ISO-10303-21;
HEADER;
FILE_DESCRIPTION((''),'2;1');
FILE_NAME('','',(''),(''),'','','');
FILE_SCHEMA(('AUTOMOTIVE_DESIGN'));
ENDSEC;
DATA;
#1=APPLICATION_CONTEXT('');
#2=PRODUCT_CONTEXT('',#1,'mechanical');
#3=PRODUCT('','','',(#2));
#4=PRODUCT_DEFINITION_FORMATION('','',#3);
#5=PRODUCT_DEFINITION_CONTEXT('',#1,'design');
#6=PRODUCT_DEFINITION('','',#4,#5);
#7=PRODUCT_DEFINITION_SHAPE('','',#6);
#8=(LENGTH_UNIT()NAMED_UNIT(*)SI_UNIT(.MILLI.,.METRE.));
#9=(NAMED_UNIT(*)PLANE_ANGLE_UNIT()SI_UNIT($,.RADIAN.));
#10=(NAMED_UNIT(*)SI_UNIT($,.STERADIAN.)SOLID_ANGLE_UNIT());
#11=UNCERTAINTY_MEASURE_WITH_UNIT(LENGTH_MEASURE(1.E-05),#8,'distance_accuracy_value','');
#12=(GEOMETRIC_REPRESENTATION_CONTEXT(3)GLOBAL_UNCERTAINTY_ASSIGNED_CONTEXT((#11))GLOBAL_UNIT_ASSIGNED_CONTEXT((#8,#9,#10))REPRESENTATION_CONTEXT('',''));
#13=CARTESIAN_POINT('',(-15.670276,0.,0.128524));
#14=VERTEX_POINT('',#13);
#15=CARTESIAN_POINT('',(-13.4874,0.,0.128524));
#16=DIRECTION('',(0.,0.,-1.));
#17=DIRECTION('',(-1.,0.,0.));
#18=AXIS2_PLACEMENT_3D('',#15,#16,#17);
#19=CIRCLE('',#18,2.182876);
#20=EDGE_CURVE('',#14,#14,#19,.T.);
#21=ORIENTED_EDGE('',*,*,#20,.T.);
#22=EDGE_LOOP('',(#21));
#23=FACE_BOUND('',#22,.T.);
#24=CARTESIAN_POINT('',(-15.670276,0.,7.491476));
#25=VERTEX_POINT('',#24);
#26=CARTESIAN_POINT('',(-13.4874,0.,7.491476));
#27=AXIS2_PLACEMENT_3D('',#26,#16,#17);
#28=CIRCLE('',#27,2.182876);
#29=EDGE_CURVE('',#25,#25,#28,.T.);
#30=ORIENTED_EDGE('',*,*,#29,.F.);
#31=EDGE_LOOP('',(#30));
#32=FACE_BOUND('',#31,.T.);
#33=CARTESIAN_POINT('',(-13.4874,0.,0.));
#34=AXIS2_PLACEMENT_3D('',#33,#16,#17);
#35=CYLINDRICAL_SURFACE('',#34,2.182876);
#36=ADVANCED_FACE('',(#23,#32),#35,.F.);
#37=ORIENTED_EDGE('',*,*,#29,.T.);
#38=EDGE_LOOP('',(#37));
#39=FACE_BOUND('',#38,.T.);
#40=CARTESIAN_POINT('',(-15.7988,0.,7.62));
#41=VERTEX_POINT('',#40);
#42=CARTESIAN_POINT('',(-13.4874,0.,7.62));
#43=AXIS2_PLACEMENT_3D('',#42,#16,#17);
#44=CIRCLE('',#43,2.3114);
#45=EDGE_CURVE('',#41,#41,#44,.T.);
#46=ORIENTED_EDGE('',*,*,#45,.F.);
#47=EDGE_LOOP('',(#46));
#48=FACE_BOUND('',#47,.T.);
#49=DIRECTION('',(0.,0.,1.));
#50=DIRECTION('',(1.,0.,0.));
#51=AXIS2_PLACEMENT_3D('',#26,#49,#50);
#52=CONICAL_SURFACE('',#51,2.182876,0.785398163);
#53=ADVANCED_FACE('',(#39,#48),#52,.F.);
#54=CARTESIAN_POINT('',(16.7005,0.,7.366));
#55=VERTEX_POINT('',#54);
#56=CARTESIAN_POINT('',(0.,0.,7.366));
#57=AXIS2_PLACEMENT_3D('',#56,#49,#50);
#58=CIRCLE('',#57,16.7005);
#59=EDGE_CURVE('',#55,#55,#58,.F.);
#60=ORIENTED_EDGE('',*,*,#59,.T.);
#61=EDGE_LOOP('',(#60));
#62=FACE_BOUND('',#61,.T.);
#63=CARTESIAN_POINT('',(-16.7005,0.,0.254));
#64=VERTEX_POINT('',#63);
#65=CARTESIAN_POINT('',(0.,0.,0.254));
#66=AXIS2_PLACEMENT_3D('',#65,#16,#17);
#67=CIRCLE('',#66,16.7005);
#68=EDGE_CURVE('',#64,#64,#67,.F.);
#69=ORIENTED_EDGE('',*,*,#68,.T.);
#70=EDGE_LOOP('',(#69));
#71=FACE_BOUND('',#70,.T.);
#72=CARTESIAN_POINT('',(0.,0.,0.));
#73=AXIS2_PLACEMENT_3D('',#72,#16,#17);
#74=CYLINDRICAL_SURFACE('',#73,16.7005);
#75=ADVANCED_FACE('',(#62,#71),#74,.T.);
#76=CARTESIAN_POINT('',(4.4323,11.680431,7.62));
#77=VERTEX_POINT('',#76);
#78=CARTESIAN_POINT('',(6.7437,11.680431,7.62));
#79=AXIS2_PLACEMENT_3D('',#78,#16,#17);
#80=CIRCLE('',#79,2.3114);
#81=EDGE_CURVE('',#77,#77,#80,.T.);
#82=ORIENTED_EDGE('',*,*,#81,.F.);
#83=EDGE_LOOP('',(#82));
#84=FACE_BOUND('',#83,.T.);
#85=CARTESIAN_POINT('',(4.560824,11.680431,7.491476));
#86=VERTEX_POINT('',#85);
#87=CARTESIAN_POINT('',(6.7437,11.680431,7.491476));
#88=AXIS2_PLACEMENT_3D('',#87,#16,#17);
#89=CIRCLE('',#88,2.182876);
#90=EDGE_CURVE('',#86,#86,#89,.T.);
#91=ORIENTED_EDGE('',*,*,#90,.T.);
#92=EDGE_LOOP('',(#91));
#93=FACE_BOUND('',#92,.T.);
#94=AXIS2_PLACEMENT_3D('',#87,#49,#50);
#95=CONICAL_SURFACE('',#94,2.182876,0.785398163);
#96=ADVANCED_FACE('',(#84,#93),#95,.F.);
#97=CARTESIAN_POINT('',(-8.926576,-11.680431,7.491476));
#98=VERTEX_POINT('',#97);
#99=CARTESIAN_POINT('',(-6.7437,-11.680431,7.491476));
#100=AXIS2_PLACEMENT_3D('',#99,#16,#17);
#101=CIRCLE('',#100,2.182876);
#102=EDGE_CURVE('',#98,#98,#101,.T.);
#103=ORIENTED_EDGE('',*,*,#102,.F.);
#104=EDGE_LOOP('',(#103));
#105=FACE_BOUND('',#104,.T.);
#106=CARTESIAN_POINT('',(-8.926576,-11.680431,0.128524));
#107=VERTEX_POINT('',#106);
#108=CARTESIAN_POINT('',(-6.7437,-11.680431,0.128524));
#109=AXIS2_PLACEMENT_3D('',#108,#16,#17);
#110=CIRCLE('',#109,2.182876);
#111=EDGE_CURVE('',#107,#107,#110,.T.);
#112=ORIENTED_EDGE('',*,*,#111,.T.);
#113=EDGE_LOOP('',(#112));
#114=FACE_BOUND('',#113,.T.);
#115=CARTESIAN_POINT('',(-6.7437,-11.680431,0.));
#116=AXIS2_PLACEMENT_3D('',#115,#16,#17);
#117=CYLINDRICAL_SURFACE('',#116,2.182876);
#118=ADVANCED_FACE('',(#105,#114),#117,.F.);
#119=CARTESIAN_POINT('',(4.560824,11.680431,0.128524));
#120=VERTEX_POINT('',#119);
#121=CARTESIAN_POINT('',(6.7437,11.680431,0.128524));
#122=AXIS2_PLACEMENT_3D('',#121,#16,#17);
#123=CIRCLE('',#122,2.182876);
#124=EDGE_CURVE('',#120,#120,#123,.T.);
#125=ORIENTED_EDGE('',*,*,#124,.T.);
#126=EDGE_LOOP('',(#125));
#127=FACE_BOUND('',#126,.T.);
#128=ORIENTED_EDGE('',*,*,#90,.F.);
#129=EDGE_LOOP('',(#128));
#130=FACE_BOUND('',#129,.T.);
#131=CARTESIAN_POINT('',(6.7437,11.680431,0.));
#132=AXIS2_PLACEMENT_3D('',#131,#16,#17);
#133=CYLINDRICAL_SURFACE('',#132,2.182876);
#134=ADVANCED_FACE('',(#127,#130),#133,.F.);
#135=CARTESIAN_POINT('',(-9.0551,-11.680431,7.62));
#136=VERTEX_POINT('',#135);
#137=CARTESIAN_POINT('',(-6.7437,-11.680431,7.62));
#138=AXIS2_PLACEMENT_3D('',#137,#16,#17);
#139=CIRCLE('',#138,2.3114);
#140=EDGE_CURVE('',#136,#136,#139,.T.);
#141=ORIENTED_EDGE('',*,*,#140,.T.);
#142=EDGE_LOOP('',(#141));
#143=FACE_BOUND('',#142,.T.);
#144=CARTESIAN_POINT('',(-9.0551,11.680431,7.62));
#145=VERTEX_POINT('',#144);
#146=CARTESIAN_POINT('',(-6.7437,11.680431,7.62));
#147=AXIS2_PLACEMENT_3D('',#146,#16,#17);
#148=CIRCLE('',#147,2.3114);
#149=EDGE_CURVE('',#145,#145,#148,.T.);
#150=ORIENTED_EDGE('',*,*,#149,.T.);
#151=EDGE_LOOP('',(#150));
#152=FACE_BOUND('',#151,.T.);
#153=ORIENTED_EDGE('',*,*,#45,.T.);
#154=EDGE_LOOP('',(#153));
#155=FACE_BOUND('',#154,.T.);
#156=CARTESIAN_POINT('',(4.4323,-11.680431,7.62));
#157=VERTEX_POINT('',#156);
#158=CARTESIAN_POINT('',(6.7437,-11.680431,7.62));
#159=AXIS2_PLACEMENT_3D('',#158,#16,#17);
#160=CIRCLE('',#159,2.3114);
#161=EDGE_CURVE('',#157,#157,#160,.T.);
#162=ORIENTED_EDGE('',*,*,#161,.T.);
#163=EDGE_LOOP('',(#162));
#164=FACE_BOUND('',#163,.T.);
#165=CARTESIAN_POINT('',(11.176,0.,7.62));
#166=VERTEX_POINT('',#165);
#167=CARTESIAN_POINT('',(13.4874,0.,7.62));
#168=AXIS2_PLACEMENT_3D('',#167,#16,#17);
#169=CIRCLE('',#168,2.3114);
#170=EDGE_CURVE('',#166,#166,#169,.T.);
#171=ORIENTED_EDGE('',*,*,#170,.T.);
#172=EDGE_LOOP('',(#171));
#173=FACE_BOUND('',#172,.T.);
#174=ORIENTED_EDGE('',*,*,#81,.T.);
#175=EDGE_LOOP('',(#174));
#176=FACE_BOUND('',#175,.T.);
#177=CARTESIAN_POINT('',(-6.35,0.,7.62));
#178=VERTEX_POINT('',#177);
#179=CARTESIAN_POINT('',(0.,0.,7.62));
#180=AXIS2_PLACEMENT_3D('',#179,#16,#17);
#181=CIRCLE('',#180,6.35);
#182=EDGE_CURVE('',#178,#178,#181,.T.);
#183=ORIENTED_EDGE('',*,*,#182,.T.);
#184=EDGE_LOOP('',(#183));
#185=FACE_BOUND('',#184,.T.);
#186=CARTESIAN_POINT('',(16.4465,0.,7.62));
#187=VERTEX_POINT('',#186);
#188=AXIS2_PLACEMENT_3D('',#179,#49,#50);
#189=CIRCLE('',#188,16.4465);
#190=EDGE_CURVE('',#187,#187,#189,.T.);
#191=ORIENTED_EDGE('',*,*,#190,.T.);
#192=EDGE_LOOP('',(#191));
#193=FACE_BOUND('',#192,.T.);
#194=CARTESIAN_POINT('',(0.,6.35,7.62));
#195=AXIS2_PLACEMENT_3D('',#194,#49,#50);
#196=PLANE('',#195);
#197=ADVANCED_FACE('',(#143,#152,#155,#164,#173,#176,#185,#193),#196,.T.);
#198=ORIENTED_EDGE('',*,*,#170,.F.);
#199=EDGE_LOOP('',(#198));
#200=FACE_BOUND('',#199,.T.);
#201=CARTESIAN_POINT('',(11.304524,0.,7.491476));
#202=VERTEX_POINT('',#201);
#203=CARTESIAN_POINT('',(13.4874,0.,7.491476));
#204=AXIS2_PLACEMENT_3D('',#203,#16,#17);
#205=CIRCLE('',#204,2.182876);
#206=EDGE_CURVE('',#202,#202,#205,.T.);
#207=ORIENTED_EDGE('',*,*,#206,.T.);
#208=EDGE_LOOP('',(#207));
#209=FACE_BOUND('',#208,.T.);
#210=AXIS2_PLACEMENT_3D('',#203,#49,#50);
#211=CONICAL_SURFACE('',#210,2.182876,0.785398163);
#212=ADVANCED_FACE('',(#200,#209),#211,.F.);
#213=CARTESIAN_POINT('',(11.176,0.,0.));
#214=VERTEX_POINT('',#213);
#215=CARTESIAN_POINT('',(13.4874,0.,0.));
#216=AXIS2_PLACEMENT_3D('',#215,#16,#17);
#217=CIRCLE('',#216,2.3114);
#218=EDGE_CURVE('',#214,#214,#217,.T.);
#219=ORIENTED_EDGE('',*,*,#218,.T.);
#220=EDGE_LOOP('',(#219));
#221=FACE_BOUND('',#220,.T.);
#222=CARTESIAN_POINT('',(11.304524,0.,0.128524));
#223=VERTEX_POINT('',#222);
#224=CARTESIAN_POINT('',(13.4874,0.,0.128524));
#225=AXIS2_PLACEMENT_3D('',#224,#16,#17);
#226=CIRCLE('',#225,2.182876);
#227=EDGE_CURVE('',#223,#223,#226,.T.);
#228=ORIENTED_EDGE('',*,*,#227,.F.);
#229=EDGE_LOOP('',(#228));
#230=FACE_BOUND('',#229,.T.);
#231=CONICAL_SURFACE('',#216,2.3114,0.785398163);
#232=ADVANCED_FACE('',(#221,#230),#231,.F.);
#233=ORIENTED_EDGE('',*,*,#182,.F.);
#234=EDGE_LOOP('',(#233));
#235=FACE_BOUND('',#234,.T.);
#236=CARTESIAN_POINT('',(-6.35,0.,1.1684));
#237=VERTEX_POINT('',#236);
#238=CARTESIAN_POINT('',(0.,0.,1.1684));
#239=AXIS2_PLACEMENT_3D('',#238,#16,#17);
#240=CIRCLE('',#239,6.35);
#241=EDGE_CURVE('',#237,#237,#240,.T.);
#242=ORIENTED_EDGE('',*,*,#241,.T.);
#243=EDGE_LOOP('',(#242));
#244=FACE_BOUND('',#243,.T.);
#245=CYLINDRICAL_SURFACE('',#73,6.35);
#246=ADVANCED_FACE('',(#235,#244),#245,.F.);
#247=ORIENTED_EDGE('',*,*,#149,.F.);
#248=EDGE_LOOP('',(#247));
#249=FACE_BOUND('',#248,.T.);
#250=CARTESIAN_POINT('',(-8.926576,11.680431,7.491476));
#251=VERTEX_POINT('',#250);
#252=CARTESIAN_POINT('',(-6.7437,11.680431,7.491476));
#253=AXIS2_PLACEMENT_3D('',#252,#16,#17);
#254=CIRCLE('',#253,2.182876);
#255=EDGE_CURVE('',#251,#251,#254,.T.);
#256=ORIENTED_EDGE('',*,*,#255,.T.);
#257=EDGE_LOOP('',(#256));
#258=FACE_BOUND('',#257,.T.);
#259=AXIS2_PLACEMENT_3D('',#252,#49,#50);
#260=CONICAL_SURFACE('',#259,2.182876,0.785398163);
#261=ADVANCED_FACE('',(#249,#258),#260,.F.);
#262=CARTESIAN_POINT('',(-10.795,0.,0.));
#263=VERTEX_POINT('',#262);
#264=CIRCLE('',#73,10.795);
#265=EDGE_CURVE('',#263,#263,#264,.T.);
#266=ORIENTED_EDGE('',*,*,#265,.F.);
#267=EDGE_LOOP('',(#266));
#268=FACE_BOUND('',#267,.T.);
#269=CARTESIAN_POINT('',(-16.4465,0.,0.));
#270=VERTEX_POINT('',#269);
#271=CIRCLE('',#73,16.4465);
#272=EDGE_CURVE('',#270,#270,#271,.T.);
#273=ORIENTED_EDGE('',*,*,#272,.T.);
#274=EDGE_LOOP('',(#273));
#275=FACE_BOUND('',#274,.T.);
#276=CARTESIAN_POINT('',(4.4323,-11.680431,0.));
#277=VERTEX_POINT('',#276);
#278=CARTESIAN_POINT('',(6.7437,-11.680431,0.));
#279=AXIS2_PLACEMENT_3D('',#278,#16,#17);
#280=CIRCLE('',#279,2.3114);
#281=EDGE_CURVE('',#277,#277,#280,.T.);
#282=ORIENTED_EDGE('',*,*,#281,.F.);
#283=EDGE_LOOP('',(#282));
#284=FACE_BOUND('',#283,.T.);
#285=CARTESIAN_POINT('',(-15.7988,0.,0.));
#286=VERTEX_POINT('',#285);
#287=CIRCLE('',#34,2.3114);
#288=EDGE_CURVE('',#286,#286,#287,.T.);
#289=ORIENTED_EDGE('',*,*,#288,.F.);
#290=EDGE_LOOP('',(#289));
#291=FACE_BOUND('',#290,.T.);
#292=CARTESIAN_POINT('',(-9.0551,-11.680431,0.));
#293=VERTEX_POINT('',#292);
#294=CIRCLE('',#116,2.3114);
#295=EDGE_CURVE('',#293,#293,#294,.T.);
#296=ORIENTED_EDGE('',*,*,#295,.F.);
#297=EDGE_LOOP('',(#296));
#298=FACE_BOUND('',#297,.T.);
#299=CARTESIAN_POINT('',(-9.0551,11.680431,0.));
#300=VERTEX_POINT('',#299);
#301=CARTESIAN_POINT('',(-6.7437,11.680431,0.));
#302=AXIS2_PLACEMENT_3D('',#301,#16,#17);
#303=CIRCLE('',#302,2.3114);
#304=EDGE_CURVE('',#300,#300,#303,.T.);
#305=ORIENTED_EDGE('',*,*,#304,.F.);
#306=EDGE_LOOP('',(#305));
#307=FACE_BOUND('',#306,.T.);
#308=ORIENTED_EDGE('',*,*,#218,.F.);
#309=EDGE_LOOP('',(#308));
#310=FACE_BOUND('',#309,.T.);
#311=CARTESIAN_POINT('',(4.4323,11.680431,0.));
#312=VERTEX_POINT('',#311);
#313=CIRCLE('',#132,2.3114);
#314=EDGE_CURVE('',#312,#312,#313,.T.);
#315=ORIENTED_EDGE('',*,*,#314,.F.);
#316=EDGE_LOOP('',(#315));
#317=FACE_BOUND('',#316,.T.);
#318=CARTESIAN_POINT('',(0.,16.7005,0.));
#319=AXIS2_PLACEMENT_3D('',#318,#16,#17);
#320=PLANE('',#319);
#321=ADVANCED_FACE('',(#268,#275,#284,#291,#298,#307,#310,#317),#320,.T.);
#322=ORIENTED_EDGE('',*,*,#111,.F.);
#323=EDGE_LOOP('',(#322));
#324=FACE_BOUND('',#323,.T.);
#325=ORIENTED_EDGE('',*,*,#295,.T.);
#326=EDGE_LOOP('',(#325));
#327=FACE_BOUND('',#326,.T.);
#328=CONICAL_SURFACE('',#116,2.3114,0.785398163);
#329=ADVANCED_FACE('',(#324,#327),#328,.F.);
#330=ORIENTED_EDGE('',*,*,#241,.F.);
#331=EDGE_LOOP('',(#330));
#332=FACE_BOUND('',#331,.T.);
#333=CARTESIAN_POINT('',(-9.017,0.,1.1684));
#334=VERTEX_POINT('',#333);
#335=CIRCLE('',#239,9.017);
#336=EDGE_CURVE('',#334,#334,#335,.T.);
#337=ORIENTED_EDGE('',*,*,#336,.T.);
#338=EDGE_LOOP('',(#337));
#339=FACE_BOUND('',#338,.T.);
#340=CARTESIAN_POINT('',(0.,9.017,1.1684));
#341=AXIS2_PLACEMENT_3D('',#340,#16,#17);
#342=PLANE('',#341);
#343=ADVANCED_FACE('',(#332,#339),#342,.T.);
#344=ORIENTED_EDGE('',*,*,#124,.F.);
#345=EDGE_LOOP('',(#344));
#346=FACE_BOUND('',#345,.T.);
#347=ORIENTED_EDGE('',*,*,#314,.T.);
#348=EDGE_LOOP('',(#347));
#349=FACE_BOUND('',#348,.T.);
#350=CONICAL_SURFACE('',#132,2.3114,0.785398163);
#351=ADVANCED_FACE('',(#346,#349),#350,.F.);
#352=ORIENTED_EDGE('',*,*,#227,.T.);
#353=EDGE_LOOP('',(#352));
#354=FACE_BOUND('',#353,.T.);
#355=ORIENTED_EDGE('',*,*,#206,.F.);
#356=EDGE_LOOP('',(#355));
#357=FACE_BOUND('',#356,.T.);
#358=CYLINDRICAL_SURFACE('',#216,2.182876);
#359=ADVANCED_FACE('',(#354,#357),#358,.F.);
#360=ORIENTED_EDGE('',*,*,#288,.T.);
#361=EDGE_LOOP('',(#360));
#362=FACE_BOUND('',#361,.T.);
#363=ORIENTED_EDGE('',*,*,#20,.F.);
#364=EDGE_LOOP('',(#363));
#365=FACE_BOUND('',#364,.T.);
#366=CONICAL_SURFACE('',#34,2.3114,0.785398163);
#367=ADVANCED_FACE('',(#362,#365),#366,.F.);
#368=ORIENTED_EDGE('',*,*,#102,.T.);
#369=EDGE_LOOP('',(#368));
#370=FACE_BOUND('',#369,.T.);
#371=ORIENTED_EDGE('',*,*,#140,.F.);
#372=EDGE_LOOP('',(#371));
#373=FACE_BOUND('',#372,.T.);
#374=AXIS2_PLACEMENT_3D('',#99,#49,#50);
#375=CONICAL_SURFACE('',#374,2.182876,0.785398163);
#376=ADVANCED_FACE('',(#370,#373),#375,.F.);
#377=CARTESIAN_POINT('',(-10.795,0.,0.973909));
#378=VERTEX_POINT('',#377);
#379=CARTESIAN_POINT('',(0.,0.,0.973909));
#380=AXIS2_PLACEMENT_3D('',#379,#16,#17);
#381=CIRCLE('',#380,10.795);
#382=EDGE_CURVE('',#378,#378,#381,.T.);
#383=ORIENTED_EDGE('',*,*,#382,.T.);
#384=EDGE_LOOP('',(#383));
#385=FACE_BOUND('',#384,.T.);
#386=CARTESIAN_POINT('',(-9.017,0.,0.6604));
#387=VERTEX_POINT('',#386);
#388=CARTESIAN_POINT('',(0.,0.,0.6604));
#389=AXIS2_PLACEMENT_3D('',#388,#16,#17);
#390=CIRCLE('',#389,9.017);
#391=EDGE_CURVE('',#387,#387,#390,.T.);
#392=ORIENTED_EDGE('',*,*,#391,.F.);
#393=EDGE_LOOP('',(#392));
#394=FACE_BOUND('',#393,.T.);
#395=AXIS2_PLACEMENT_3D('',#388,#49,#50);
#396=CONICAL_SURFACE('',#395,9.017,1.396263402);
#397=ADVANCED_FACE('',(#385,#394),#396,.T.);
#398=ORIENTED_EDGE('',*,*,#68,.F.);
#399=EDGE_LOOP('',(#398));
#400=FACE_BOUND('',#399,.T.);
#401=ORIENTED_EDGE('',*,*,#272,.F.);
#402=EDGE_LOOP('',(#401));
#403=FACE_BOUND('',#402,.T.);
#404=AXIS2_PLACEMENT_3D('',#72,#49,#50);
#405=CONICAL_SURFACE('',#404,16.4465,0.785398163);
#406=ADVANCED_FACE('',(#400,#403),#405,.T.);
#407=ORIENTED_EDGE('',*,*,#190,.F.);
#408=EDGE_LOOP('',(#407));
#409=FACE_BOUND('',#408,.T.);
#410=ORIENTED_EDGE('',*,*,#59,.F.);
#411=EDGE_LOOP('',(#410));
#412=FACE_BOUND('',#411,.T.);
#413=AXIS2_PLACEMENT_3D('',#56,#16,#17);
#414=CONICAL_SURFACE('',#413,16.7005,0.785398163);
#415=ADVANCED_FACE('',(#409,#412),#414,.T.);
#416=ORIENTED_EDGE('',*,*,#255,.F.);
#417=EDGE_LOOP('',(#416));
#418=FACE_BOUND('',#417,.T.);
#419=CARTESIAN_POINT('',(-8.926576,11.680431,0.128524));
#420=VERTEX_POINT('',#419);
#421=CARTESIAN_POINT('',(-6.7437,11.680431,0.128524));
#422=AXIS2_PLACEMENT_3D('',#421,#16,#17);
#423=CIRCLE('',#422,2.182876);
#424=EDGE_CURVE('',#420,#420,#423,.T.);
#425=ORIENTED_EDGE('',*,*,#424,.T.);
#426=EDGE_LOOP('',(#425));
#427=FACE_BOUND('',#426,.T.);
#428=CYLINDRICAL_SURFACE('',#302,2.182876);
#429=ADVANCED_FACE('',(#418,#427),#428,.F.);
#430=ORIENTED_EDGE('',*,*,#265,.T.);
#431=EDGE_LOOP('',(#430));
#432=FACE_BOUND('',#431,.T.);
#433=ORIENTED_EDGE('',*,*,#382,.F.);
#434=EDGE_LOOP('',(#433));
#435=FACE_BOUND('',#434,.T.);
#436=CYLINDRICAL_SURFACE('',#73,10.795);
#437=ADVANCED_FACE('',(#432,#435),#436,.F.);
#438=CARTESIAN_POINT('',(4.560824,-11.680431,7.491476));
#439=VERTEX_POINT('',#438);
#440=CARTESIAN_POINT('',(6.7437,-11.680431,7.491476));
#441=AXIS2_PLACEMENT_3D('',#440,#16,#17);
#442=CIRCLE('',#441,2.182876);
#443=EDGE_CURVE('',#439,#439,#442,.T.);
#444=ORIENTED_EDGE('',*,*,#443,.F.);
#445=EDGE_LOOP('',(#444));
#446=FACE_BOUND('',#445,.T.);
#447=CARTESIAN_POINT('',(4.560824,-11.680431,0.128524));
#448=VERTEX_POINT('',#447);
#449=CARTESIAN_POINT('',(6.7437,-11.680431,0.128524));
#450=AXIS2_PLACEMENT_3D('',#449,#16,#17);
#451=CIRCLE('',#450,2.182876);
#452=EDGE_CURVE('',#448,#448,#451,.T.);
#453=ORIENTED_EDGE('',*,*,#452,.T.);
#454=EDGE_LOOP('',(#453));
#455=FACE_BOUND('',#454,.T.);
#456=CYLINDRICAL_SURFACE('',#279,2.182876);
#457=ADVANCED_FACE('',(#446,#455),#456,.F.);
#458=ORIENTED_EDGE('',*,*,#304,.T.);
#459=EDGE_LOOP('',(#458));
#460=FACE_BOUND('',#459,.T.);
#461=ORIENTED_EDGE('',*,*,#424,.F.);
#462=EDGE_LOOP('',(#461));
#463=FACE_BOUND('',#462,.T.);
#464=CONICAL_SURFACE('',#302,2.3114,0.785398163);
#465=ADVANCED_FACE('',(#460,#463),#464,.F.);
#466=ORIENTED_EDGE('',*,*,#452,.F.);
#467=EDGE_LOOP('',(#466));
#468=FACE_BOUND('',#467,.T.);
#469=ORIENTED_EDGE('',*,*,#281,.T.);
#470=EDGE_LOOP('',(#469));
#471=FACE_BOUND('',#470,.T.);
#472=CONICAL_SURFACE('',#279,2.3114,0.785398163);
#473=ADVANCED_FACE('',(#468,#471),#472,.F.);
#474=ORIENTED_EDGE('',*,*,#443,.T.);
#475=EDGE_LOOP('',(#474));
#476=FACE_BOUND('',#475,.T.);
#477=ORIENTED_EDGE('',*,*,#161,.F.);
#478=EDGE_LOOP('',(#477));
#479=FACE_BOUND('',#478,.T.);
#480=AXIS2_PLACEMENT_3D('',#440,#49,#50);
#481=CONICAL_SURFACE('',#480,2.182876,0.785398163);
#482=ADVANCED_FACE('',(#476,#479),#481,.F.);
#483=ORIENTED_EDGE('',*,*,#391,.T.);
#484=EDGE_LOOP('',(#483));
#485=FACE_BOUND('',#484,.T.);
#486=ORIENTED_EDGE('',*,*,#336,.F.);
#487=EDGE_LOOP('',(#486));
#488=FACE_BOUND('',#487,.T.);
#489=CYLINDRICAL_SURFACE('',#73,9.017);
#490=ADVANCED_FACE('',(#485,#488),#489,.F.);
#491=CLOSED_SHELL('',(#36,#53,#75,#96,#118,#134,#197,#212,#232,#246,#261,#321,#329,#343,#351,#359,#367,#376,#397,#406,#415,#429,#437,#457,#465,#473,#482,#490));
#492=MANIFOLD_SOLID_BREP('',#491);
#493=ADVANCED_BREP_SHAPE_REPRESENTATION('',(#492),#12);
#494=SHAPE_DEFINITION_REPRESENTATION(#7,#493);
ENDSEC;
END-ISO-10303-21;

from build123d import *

# Parameters (mm, degrees)
CHAMFER1_SIZE     = 0.254
CIRPATTERN1_COUNT = 6


with BuildPart() as part:
    # Sketch1 → Revolve1 (revolve)
    with BuildSketch(Plane(origin=(0, 0, 0), x_dir=(0, 0, -1), z_dir=(1, 0, 0)), mode=Mode.PRIVATE) as revolve1_sk:
        Polygon((0, 16.7005), (0, 10.795), (-0.973909372, 10.795), (-0.6604, 9.017), (-1.1684, 9.017), (-1.1684, 6.35), (-7.62, 6.35), (-7.62, 16.7005), align=None)
    revolve(revolve1_sk.sketch.rotate(Axis((0, 0, 0), (0, 0, 1)), 90), axis=Axis((0, 0, 0), (0, 0, 1)))

    # Chamfer1
    chamfer1_edges = [part.edges().sort_by_distance(p)[0] for p in [
        (16.7005, 0, 0),
        (16.7005, 0, 7.62),
    ]]
    chamfer(chamfer1_edges, length=CHAMFER1_SIZE)

    # Sketch2 → 11/64 (0.17188) Diameter Hole2 (revolve, cut)
    with BuildSketch(Plane.YZ.offset(13.4874)):
        Polygon((0, 0), (0, 7.62), (2.3114, 7.62), (2.182876, 7.491476), (2.182876, 0.128524), (2.3114, 0), align=None)
    f_11_64_0_17188_diameter_hole2 = revolve(axis=Axis((13.4874, 0, -6.35), (0, 0, 1)), mode=Mode.SUBTRACT)

    # CirPattern1: 11/64 (0.17188) Diameter Hole2 ×6 about axis
    cirpattern1_axis = Axis((0, 0, 0), (0, 0, 1))
    for i in range(1, CIRPATTERN1_COUNT):
        add(f_11_64_0_17188_diameter_hole2.rotate(cirpattern1_axis, i * 360 / CIRPATTERN1_COUNT), mode=Mode.SUBTRACT)


solid = part.part
